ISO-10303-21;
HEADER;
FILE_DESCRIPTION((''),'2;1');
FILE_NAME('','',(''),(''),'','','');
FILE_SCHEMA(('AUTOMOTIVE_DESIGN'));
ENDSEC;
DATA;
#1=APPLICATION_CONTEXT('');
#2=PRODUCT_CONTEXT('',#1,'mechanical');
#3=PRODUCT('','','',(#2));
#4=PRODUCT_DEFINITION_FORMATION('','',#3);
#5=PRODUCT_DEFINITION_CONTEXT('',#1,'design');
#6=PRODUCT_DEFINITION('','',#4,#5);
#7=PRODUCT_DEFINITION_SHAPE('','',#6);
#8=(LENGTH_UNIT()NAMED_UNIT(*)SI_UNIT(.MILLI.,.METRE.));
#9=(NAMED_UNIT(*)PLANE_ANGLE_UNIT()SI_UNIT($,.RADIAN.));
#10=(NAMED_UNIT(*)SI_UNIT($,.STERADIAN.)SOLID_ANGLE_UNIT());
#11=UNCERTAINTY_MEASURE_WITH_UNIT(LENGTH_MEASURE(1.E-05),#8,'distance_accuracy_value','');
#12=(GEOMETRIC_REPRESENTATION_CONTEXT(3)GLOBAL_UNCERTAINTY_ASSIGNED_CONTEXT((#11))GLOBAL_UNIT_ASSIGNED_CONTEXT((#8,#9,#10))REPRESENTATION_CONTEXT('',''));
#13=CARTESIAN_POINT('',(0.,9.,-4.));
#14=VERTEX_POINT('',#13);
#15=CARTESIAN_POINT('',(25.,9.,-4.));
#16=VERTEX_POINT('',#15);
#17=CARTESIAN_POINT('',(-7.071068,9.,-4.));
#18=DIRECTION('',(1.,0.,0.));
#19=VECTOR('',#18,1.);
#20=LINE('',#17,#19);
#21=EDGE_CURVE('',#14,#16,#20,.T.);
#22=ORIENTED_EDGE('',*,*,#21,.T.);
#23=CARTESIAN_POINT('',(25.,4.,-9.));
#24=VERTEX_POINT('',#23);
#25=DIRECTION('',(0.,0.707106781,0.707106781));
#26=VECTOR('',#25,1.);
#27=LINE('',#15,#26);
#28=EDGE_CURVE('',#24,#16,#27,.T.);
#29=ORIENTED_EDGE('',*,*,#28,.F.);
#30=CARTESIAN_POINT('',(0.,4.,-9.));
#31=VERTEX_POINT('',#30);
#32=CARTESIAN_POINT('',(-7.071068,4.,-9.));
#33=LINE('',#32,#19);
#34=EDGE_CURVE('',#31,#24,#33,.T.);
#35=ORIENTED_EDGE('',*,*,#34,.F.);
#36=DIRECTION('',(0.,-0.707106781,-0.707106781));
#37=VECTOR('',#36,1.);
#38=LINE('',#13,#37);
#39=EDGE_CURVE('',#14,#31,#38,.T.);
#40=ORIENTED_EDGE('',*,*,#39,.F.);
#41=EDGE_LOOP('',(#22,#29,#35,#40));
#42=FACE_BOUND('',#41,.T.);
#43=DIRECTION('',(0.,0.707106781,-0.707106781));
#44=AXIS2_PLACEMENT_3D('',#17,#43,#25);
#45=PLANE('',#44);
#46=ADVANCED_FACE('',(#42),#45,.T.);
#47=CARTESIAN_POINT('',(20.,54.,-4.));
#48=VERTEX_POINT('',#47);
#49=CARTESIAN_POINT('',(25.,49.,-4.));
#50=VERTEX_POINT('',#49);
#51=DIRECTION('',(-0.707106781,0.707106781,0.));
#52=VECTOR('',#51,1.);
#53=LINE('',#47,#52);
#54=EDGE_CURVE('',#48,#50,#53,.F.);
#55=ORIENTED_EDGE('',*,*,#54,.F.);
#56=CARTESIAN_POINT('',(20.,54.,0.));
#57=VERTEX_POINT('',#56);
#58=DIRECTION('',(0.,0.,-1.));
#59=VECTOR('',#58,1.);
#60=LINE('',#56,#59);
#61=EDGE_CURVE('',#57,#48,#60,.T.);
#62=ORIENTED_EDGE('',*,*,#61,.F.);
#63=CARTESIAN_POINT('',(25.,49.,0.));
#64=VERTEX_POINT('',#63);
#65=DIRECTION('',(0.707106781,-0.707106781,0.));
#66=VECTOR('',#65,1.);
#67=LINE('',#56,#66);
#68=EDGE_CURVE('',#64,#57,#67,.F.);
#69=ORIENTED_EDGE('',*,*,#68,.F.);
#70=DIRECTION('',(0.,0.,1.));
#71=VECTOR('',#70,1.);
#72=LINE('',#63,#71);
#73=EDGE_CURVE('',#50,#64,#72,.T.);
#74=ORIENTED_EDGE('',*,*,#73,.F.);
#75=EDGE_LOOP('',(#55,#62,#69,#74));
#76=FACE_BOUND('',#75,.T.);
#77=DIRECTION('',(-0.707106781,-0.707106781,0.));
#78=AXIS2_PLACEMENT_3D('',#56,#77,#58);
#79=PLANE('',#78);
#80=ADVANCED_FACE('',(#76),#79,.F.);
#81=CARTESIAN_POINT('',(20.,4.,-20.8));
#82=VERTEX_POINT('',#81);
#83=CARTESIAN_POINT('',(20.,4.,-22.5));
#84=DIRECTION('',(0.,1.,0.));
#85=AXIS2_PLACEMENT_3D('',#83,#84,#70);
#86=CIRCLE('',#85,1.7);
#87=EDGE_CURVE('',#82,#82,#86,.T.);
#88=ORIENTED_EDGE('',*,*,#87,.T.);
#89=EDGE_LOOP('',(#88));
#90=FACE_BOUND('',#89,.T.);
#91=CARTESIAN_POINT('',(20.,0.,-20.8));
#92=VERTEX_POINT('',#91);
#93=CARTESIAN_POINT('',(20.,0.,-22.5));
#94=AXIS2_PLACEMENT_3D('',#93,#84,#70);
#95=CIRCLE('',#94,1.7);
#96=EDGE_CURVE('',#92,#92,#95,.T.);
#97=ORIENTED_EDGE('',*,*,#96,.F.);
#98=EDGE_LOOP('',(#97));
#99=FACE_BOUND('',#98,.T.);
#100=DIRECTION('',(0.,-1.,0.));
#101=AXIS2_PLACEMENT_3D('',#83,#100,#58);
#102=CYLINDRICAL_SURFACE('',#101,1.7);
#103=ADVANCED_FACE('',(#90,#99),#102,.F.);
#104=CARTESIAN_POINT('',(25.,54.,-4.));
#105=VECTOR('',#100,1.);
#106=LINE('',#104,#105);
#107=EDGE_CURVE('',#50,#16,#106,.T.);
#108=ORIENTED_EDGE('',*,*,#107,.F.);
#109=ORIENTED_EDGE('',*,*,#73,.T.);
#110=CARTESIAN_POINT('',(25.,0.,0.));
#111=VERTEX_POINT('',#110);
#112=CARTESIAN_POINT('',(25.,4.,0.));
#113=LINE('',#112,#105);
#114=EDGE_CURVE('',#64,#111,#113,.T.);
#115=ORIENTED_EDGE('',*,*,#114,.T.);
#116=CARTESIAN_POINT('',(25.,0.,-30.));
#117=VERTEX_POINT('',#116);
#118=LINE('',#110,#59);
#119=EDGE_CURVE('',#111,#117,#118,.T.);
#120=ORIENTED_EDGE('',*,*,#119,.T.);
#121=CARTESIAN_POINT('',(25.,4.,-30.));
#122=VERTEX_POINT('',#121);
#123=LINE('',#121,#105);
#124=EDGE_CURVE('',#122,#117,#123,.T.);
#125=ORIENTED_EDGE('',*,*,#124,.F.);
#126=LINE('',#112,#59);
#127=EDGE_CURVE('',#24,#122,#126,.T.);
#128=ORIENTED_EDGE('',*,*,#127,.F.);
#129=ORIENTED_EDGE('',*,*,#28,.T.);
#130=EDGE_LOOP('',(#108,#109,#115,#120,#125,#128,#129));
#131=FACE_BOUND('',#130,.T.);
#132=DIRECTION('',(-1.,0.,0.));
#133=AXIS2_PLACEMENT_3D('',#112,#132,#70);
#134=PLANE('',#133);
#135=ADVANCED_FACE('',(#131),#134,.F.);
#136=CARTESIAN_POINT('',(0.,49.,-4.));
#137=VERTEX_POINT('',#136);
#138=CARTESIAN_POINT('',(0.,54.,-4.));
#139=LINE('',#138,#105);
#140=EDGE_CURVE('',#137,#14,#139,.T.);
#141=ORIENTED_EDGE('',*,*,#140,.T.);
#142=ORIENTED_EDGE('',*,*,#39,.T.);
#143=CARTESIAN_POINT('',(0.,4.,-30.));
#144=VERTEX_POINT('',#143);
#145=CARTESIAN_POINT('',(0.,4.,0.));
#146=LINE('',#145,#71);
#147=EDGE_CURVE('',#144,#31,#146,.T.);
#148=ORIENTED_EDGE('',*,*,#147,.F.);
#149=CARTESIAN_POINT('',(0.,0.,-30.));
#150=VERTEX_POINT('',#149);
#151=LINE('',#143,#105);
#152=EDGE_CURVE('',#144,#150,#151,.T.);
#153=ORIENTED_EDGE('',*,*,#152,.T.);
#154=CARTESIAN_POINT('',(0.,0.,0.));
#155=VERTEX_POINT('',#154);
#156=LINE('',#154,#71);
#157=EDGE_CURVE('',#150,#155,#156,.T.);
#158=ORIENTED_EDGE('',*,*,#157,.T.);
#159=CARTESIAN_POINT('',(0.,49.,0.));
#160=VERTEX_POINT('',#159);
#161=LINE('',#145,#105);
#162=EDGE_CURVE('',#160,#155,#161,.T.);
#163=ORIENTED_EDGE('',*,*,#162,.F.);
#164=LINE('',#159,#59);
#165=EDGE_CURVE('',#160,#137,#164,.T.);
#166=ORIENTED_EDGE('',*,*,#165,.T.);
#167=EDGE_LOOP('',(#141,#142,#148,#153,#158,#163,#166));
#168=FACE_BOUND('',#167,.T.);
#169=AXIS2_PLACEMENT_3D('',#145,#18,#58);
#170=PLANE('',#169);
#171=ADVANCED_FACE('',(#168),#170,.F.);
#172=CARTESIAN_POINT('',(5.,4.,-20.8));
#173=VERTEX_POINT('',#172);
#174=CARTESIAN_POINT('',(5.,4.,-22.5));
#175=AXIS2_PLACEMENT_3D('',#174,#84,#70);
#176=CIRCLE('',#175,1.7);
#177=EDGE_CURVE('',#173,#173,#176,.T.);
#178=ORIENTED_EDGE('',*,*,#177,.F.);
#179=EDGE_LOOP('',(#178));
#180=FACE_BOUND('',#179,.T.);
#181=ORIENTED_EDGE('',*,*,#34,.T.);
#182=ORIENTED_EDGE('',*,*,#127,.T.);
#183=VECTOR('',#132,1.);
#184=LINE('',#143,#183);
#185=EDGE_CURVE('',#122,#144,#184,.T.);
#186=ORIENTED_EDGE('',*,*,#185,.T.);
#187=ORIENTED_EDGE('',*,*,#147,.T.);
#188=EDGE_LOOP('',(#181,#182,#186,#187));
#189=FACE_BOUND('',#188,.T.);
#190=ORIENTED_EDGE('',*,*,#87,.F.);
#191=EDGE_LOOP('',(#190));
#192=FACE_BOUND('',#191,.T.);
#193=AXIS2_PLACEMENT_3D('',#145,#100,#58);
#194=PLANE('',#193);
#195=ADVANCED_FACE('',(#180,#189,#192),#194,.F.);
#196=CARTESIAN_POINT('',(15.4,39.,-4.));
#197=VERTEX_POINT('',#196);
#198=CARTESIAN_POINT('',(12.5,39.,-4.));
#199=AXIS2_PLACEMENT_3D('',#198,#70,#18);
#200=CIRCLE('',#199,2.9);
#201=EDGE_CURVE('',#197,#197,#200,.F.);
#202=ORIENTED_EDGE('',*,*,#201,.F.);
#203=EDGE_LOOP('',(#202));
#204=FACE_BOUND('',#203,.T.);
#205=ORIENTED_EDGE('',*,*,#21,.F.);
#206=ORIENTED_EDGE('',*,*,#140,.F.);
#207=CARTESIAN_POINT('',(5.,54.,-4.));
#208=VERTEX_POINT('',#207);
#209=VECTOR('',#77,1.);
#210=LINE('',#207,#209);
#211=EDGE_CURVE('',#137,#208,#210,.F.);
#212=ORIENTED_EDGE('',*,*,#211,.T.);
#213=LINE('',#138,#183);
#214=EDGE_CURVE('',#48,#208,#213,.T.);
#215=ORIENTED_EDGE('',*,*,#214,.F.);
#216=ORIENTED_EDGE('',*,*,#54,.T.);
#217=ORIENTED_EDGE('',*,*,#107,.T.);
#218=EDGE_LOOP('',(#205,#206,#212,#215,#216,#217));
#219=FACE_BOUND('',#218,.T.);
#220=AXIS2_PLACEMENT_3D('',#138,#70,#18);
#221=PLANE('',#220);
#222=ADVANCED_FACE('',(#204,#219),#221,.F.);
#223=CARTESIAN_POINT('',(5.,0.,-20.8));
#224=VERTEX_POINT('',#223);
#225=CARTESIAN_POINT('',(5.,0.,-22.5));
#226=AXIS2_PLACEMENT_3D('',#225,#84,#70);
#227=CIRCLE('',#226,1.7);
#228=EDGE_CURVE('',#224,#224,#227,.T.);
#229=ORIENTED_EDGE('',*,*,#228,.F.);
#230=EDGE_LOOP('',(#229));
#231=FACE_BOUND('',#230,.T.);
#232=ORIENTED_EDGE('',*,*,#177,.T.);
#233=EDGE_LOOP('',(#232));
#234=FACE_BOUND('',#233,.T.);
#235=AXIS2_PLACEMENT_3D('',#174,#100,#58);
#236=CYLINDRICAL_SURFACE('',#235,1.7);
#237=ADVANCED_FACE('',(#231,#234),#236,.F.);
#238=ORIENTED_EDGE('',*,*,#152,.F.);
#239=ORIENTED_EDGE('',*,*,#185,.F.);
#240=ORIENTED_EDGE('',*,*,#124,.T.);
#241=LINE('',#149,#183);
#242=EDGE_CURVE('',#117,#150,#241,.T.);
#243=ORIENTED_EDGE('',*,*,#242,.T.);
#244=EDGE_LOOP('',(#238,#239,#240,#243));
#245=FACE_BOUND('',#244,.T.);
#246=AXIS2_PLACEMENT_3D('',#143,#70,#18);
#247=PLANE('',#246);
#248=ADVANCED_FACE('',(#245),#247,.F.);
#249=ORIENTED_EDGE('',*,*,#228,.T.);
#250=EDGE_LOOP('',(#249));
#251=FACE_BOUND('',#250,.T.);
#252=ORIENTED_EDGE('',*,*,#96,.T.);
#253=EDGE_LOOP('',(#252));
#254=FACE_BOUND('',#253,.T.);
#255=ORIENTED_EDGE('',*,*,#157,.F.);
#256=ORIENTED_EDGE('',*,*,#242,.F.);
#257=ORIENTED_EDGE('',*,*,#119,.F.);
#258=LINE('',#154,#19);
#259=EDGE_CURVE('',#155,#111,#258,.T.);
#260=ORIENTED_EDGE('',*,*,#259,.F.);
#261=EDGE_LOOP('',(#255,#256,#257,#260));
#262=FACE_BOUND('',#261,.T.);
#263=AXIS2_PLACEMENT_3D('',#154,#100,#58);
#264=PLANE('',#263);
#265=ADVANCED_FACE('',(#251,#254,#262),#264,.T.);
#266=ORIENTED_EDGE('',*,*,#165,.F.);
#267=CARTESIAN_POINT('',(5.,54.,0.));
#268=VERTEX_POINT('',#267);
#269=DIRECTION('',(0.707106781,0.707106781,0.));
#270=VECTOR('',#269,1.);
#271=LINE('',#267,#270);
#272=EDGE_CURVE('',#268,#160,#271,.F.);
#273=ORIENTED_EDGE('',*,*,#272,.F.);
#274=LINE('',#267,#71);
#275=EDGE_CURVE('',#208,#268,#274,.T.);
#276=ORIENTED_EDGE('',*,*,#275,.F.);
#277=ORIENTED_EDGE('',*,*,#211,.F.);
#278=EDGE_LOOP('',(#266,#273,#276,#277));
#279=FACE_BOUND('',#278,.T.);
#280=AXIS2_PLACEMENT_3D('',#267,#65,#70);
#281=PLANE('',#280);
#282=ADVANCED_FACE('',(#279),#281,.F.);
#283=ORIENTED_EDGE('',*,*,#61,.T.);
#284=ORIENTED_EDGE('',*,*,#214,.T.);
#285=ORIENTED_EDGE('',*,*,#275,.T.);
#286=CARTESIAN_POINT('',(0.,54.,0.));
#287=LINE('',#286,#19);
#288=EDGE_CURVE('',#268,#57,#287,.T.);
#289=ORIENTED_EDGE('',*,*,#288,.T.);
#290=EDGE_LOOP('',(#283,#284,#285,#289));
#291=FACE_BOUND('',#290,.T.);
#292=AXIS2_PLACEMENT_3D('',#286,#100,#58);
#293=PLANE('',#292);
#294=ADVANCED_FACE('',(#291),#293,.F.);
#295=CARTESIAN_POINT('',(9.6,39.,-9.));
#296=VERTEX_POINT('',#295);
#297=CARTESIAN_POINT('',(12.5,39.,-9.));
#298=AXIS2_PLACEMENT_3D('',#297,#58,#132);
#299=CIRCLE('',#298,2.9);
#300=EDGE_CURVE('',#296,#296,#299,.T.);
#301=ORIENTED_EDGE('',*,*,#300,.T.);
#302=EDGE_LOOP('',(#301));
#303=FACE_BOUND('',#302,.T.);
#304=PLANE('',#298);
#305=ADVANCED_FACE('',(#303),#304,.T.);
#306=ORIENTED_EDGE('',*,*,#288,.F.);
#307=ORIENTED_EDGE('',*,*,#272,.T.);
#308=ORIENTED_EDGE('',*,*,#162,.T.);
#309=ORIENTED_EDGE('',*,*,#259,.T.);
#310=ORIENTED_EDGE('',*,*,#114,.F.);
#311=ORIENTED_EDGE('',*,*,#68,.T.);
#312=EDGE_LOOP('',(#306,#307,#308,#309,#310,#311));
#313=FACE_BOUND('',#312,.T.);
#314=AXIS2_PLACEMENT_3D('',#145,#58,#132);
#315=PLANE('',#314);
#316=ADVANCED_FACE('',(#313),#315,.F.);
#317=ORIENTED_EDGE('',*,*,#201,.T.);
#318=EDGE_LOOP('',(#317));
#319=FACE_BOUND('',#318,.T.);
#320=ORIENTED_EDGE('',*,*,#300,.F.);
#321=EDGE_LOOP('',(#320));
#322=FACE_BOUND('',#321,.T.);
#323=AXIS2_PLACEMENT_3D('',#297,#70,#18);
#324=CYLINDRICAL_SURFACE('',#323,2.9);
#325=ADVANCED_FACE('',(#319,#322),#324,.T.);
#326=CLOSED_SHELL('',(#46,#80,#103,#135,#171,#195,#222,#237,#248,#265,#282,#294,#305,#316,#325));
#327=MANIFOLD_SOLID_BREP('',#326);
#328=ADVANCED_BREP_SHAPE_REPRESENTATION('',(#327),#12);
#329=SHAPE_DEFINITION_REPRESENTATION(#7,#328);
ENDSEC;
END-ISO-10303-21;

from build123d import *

# Parameters (mm, degrees)
SKETCH_1_W      = 25
SKETCH_1_H      = 30
SKETCH_1_R      = 1.7
EXTRUDE_1_DEPTH = 4
SKETCH_2_W      = 25
SKETCH_2_H      = 4
EXTRUDE_2_DEPTH = 50
EXTRUDE_3_DEPTH = 25
SKETCH_4_R      = 2.9
EXTRUDE_4_DEPTH = 5
CHAMFER_2_SIZE  = 5


with BuildPart() as part:
    # 草图1 → 凸台-拉伸1 (new body)
    with BuildSketch(Plane(origin=(0, 0, 0), x_dir=(1, 0, 0), z_dir=(0, 1, 0))):
        with Locations((12.5, 15)):
            Rectangle(SKETCH_1_W, SKETCH_1_H)
        with Locations(Location((5, 22.5, 0), (0, 0, 270))):
            Circle(SKETCH_1_R, mode=Mode.SUBTRACT)
        with Locations(Location((20, 22.5, 0), (0, 0, 270))):
            Circle(SKETCH_1_R, mode=Mode.SUBTRACT)
    extrude(amount=EXTRUDE_1_DEPTH)

    # 草图2 → 凸台-拉伸2 (add)
    with BuildSketch(Plane(origin=(0, 4, 0), x_dir=(1, 0, 0), z_dir=(0, 1, 0))):
        with Locations((12.5, 2)):
            Rectangle(SKETCH_2_W, SKETCH_2_H)
    extrude(amount=EXTRUDE_2_DEPTH)

    # 草图3 → 凸台-拉伸3 (add)
    with BuildSketch(Plane(origin=(25, 0, 0), x_dir=(0, 0, -1), z_dir=(1, 0, 0))):
        Polygon((4, 4), (4, 9), (9, 4), align=None)
    extrude(amount=-EXTRUDE_3_DEPTH)

    # 草图4 → 凸台-拉伸4 (add)
    with BuildSketch(Plane(origin=(0, 0, -4), x_dir=(-1, 0, 0), z_dir=(0, 0, -1))):
        with Locations(Location((-12.5, 39, 0), (0, 0, 180))):
            Circle(SKETCH_4_R)
    extrude(amount=EXTRUDE_4_DEPTH)

    # 倒角2
    chamfer_2_edges = [part.edges().sort_by_distance(p)[0] for p in [
        (0, 54, -2),
        (25, 54, -2),
    ]]
    chamfer(chamfer_2_edges, length=CHAMFER_2_SIZE)


solid = part.part
